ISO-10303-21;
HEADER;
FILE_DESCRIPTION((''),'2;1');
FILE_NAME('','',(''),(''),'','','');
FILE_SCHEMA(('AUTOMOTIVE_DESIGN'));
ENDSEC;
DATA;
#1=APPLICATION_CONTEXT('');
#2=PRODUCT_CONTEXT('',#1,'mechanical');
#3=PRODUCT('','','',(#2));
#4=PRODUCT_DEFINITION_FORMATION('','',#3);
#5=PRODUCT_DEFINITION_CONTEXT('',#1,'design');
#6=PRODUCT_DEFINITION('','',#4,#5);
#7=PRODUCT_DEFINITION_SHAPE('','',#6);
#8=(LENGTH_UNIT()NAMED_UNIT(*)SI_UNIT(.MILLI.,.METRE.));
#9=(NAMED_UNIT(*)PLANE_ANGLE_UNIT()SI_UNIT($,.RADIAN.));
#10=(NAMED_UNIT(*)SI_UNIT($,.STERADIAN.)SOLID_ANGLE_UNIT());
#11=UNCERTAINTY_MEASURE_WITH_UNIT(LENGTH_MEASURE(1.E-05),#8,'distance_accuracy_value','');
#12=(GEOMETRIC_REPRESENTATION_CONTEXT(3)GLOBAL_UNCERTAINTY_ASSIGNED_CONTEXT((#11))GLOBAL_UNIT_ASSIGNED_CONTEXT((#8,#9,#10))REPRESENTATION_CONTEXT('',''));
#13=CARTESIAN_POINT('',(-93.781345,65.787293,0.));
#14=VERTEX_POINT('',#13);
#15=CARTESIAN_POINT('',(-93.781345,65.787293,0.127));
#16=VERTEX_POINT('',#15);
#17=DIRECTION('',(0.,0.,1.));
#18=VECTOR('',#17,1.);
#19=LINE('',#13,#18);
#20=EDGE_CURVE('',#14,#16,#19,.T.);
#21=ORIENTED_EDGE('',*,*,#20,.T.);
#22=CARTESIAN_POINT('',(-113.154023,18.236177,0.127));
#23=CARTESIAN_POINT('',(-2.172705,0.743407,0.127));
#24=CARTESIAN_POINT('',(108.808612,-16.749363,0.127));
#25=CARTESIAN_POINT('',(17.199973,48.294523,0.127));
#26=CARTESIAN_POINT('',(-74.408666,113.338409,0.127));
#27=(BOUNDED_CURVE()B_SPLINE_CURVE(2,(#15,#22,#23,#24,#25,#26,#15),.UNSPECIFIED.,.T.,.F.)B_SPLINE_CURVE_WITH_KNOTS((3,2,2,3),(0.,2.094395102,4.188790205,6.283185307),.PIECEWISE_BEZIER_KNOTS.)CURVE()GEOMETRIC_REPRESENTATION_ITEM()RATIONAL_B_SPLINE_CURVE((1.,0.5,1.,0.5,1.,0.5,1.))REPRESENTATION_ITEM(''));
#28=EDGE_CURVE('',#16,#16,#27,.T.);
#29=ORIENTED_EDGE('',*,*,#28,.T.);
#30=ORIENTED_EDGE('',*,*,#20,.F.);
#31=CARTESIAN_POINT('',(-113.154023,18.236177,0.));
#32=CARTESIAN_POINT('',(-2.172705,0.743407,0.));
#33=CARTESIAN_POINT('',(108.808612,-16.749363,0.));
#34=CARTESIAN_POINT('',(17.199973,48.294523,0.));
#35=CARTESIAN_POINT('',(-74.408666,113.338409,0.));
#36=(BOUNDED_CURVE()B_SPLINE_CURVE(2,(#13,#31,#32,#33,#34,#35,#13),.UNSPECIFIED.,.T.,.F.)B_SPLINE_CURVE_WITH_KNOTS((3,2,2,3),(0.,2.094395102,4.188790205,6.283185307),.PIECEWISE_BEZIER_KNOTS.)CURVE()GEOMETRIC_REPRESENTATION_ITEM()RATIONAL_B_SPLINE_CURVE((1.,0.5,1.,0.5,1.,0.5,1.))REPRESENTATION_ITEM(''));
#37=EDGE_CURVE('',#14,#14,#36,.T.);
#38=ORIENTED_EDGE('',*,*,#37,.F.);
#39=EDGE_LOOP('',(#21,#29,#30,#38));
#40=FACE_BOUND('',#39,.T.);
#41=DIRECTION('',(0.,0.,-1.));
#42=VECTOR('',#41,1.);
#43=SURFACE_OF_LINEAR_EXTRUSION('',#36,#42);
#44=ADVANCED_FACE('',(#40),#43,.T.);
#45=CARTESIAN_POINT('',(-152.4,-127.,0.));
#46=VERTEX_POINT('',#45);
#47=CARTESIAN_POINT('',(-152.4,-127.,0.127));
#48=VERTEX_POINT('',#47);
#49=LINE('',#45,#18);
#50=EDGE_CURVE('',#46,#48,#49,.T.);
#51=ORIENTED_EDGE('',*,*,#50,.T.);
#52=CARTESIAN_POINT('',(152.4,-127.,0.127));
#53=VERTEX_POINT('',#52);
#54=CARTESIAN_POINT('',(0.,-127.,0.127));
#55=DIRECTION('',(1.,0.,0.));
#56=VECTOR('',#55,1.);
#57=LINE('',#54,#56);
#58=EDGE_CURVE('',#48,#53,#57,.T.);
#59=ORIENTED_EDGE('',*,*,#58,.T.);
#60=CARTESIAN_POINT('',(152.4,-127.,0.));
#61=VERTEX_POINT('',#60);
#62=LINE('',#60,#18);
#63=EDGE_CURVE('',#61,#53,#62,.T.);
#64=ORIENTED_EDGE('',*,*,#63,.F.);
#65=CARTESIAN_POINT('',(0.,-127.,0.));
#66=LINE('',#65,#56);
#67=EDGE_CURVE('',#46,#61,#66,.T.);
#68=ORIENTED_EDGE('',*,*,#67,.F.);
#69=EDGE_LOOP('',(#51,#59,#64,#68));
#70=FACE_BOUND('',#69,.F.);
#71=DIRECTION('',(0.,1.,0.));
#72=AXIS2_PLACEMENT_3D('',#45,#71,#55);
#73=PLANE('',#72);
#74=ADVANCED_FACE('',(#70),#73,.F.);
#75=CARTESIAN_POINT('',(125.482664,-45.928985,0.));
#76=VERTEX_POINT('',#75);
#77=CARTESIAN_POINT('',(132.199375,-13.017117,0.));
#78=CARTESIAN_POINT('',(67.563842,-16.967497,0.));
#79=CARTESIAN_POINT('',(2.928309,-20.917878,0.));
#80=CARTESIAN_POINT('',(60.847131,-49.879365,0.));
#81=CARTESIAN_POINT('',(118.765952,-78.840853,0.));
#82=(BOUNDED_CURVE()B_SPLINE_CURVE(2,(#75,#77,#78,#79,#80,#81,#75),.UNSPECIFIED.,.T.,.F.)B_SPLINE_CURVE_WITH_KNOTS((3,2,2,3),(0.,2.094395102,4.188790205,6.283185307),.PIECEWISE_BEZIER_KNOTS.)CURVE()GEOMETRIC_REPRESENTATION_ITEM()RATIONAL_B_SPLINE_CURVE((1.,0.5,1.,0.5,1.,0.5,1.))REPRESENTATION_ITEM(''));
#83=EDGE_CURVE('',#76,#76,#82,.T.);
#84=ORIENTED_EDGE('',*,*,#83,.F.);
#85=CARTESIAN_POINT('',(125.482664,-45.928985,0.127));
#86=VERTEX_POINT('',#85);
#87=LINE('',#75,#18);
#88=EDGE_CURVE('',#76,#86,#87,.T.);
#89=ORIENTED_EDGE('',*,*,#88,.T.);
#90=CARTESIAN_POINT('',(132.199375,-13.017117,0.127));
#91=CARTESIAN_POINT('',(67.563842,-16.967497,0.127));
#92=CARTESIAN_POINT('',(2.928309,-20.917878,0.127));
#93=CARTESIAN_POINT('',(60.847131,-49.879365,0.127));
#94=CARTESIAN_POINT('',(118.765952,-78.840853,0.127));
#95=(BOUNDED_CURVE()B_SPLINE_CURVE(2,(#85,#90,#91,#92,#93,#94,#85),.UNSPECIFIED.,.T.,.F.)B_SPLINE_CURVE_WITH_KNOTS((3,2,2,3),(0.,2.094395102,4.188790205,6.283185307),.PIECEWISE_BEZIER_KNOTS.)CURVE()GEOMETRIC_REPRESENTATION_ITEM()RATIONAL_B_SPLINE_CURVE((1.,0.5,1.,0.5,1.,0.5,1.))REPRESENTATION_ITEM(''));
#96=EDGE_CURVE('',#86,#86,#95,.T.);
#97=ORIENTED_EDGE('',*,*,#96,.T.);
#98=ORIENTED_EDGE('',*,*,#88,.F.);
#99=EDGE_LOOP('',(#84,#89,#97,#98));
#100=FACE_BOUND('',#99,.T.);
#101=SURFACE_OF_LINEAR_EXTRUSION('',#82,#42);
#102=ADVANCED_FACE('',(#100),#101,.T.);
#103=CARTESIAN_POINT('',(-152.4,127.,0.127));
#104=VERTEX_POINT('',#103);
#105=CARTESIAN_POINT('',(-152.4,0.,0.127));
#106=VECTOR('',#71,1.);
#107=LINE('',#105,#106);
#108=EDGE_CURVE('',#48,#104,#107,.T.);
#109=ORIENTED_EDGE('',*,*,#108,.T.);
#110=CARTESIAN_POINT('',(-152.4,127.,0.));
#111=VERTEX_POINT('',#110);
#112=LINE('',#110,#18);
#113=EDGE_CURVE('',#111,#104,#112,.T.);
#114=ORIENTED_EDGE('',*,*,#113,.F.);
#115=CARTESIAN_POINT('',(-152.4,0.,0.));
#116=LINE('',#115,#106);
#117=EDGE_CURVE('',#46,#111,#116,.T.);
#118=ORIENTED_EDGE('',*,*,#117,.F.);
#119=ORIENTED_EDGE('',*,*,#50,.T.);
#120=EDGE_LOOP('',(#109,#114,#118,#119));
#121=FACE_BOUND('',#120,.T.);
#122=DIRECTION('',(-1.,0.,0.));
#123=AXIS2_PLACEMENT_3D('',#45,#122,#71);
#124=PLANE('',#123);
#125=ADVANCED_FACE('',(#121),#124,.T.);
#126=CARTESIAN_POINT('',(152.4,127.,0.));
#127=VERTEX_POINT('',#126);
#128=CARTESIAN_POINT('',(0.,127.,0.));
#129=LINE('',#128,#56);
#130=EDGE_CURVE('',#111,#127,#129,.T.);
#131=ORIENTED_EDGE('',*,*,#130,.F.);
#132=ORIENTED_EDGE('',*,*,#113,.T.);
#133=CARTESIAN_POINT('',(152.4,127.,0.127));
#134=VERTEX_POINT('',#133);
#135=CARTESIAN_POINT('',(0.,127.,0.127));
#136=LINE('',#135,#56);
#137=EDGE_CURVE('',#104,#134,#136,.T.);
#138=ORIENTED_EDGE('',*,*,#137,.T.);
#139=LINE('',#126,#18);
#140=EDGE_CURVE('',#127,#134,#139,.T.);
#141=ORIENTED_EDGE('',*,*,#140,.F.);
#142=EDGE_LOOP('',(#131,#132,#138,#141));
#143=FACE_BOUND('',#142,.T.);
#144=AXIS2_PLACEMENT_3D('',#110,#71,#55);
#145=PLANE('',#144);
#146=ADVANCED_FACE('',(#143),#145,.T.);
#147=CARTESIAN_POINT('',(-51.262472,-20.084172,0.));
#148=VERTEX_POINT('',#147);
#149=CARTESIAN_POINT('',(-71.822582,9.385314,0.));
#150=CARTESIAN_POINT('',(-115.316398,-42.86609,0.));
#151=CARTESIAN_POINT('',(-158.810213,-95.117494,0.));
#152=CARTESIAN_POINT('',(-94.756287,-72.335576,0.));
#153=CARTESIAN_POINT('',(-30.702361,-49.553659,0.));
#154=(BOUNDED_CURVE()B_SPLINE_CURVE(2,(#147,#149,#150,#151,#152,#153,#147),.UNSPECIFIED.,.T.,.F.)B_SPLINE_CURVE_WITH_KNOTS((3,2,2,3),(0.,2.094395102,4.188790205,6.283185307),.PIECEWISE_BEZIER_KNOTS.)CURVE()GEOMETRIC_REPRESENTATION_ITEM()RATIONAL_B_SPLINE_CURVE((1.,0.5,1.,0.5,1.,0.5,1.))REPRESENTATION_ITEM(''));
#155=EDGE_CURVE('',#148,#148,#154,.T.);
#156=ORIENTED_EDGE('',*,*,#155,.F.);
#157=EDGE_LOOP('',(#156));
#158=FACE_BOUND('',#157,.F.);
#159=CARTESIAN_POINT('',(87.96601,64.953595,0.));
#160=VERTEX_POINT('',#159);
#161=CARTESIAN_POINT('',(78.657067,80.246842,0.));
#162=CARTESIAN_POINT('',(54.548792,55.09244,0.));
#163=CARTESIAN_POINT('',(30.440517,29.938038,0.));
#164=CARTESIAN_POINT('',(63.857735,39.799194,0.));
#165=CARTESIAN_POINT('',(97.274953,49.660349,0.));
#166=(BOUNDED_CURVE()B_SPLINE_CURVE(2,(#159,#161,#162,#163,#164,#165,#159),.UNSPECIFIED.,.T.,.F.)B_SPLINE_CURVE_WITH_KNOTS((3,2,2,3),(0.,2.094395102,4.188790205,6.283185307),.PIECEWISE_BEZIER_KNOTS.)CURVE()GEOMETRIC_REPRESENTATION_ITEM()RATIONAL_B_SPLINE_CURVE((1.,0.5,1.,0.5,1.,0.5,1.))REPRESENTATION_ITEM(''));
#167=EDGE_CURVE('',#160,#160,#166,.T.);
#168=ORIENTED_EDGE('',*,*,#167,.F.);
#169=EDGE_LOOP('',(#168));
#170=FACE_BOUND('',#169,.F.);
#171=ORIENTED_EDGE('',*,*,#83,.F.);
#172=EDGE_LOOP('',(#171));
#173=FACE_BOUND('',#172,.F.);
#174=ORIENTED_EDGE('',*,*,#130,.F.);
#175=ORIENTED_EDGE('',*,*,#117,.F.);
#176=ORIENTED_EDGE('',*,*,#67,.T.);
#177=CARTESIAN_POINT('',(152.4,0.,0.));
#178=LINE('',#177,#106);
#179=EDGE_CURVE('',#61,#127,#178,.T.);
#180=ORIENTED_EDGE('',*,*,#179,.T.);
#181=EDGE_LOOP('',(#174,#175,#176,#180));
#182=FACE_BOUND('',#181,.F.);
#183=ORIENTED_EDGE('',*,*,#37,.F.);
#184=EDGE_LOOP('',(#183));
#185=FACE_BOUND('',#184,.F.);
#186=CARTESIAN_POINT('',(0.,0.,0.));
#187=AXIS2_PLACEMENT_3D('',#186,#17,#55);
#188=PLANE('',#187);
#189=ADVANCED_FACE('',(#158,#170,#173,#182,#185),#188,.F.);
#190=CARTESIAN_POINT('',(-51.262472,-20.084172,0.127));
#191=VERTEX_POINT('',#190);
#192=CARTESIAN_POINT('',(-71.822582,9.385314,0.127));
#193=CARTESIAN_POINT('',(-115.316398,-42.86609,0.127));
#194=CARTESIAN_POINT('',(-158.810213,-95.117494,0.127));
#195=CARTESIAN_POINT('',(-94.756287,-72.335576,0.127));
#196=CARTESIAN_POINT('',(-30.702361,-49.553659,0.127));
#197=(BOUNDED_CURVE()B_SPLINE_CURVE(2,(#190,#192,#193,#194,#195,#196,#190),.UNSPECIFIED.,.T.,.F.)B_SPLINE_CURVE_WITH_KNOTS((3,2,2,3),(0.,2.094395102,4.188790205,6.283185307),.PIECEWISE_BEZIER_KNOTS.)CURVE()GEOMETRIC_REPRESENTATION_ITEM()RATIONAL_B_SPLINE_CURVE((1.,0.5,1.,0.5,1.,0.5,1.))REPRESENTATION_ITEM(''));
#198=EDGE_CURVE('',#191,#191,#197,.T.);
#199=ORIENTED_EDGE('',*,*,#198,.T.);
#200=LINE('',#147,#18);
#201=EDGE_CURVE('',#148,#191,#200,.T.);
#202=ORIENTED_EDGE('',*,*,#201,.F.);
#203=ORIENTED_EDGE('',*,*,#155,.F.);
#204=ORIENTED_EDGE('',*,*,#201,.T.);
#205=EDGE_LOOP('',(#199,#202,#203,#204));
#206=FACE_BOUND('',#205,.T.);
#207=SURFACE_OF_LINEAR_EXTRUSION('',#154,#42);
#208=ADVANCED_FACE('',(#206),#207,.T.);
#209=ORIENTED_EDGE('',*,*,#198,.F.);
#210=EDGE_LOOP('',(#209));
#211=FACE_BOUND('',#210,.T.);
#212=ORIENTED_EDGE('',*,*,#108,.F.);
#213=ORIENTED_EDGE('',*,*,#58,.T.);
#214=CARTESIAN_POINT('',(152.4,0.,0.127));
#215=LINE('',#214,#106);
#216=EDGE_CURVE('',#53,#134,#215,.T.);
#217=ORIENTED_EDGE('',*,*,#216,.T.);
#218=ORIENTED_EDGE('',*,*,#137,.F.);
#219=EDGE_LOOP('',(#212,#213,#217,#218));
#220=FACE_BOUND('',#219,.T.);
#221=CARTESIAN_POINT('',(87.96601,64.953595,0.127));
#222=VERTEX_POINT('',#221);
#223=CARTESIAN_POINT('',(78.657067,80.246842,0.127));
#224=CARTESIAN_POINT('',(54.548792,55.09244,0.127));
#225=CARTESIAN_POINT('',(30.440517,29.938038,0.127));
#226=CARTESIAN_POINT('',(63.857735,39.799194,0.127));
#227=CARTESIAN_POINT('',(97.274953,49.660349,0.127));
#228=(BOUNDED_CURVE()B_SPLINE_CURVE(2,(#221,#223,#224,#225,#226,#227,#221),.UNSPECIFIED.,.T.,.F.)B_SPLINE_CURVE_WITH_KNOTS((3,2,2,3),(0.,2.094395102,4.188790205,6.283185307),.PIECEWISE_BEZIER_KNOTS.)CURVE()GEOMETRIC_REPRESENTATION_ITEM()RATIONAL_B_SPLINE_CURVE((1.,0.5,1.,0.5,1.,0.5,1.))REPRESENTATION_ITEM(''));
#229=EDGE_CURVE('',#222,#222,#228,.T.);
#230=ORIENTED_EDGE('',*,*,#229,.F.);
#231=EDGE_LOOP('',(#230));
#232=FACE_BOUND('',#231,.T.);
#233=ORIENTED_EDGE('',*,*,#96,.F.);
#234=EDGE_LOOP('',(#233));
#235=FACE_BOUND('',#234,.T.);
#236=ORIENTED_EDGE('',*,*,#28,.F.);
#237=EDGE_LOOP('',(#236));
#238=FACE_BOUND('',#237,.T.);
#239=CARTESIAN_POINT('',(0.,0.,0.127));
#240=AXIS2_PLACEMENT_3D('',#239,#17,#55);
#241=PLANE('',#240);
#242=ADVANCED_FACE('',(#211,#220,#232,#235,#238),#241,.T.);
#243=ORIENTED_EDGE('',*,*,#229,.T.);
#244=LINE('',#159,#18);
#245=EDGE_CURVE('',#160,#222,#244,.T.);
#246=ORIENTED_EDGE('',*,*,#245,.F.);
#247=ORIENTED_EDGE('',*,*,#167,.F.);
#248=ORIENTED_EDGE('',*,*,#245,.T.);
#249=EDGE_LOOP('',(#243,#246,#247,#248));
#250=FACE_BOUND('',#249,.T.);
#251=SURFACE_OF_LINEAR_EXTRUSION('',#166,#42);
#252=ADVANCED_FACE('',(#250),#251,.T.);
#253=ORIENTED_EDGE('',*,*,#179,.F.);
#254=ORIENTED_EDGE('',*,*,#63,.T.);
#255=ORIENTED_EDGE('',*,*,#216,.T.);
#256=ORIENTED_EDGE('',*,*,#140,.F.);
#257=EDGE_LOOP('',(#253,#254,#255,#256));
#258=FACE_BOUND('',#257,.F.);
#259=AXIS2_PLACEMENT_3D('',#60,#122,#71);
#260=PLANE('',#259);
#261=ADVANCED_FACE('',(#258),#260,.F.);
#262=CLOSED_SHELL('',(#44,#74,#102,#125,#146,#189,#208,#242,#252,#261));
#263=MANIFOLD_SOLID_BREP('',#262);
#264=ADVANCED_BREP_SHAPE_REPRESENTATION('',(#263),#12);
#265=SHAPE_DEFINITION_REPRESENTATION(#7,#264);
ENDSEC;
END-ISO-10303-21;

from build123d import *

# Parameters (mm, degrees)
F0_W     = 304.8
F0_H     = 254
F1_DEPTH = 0.127


with BuildPart() as f1:
    # F0 (on Top) → F1 (new body)
    with BuildSketch(Plane.XY):
        Rectangle(F0_W, F0_H)
        with BuildLine():
            add(Edge.make_bspline(
                [(-51.2624718249, -20.0841724873), (-71.8225822111, 9.3853135541), (-115.3163977096, -42.8660904549), (-158.8102132082, -95.1174944639), (-94.7562873234, -72.3355764963), (-30.7023614387, -49.5536585286), (-51.2624718249, -20.0841724873)],
                knots=[0, 0, 0, 2.0943951024, 2.0943951024, 4.1887902048, 4.1887902048, 6.2831853072, 6.2831853072, 6.2831853072], degree=2, weights=[1, 0.5, 1, 0.5, 1, 0.5, 1]))
        make_face(mode=Mode.SUBTRACT)
        with BuildLine():
            add(Edge.make_bspline(
                [(125.4826635122, -45.9289848804), (132.1993751254, -13.017117184), (67.563842134, -16.9674973694), (2.9283091426, -20.9178775549), (60.8471305208, -49.8793650659), (118.765951899, -78.8408525769), (125.4826635122, -45.9289848804)],
                knots=[0, 0, 0, 2.0943951024, 2.0943951024, 4.1887902048, 4.1887902048, 6.2831853072, 6.2831853072, 6.2831853072], degree=2, weights=[1, 0.5, 1, 0.5, 1, 0.5, 1]))
        make_face(mode=Mode.SUBTRACT)
        with BuildLine():
            add(Edge.make_bspline(
                [(-93.7813445926, 65.7872930169), (-113.1540231842, 18.2361770106), (-2.1727053666, 0.743406809), (108.808612451, -16.7493633926), (17.199973225, 48.2945228153), (-74.4086660009, 113.3384090233), (-93.7813445926, 65.7872930169)],
                knots=[0, 0, 0, 2.0943951024, 2.0943951024, 4.1887902048, 4.1887902048, 6.2831853072, 6.2831853072, 6.2831853072], degree=2, weights=[1, 0.5, 1, 0.5, 1, 0.5, 1]))
        make_face(mode=Mode.SUBTRACT)
        with BuildLine():
            add(Edge.make_bspline(
                [(87.9660099745, 64.9535953999), (78.6570670199, 80.2468416351), (54.5487918949, 55.0924400369), (30.4405167699, 29.9380384386), (63.8577348495, 39.7991938016), (97.274952929, 49.6603491646), (87.9660099745, 64.9535953999)],
                knots=[0, 0, 0, 2.0943951024, 2.0943951024, 4.1887902048, 4.1887902048, 6.2831853072, 6.2831853072, 6.2831853072], degree=2, weights=[1, 0.5, 1, 0.5, 1, 0.5, 1]))
        make_face(mode=Mode.SUBTRACT)
    extrude(amount=F1_DEPTH)


solid = f1.part
